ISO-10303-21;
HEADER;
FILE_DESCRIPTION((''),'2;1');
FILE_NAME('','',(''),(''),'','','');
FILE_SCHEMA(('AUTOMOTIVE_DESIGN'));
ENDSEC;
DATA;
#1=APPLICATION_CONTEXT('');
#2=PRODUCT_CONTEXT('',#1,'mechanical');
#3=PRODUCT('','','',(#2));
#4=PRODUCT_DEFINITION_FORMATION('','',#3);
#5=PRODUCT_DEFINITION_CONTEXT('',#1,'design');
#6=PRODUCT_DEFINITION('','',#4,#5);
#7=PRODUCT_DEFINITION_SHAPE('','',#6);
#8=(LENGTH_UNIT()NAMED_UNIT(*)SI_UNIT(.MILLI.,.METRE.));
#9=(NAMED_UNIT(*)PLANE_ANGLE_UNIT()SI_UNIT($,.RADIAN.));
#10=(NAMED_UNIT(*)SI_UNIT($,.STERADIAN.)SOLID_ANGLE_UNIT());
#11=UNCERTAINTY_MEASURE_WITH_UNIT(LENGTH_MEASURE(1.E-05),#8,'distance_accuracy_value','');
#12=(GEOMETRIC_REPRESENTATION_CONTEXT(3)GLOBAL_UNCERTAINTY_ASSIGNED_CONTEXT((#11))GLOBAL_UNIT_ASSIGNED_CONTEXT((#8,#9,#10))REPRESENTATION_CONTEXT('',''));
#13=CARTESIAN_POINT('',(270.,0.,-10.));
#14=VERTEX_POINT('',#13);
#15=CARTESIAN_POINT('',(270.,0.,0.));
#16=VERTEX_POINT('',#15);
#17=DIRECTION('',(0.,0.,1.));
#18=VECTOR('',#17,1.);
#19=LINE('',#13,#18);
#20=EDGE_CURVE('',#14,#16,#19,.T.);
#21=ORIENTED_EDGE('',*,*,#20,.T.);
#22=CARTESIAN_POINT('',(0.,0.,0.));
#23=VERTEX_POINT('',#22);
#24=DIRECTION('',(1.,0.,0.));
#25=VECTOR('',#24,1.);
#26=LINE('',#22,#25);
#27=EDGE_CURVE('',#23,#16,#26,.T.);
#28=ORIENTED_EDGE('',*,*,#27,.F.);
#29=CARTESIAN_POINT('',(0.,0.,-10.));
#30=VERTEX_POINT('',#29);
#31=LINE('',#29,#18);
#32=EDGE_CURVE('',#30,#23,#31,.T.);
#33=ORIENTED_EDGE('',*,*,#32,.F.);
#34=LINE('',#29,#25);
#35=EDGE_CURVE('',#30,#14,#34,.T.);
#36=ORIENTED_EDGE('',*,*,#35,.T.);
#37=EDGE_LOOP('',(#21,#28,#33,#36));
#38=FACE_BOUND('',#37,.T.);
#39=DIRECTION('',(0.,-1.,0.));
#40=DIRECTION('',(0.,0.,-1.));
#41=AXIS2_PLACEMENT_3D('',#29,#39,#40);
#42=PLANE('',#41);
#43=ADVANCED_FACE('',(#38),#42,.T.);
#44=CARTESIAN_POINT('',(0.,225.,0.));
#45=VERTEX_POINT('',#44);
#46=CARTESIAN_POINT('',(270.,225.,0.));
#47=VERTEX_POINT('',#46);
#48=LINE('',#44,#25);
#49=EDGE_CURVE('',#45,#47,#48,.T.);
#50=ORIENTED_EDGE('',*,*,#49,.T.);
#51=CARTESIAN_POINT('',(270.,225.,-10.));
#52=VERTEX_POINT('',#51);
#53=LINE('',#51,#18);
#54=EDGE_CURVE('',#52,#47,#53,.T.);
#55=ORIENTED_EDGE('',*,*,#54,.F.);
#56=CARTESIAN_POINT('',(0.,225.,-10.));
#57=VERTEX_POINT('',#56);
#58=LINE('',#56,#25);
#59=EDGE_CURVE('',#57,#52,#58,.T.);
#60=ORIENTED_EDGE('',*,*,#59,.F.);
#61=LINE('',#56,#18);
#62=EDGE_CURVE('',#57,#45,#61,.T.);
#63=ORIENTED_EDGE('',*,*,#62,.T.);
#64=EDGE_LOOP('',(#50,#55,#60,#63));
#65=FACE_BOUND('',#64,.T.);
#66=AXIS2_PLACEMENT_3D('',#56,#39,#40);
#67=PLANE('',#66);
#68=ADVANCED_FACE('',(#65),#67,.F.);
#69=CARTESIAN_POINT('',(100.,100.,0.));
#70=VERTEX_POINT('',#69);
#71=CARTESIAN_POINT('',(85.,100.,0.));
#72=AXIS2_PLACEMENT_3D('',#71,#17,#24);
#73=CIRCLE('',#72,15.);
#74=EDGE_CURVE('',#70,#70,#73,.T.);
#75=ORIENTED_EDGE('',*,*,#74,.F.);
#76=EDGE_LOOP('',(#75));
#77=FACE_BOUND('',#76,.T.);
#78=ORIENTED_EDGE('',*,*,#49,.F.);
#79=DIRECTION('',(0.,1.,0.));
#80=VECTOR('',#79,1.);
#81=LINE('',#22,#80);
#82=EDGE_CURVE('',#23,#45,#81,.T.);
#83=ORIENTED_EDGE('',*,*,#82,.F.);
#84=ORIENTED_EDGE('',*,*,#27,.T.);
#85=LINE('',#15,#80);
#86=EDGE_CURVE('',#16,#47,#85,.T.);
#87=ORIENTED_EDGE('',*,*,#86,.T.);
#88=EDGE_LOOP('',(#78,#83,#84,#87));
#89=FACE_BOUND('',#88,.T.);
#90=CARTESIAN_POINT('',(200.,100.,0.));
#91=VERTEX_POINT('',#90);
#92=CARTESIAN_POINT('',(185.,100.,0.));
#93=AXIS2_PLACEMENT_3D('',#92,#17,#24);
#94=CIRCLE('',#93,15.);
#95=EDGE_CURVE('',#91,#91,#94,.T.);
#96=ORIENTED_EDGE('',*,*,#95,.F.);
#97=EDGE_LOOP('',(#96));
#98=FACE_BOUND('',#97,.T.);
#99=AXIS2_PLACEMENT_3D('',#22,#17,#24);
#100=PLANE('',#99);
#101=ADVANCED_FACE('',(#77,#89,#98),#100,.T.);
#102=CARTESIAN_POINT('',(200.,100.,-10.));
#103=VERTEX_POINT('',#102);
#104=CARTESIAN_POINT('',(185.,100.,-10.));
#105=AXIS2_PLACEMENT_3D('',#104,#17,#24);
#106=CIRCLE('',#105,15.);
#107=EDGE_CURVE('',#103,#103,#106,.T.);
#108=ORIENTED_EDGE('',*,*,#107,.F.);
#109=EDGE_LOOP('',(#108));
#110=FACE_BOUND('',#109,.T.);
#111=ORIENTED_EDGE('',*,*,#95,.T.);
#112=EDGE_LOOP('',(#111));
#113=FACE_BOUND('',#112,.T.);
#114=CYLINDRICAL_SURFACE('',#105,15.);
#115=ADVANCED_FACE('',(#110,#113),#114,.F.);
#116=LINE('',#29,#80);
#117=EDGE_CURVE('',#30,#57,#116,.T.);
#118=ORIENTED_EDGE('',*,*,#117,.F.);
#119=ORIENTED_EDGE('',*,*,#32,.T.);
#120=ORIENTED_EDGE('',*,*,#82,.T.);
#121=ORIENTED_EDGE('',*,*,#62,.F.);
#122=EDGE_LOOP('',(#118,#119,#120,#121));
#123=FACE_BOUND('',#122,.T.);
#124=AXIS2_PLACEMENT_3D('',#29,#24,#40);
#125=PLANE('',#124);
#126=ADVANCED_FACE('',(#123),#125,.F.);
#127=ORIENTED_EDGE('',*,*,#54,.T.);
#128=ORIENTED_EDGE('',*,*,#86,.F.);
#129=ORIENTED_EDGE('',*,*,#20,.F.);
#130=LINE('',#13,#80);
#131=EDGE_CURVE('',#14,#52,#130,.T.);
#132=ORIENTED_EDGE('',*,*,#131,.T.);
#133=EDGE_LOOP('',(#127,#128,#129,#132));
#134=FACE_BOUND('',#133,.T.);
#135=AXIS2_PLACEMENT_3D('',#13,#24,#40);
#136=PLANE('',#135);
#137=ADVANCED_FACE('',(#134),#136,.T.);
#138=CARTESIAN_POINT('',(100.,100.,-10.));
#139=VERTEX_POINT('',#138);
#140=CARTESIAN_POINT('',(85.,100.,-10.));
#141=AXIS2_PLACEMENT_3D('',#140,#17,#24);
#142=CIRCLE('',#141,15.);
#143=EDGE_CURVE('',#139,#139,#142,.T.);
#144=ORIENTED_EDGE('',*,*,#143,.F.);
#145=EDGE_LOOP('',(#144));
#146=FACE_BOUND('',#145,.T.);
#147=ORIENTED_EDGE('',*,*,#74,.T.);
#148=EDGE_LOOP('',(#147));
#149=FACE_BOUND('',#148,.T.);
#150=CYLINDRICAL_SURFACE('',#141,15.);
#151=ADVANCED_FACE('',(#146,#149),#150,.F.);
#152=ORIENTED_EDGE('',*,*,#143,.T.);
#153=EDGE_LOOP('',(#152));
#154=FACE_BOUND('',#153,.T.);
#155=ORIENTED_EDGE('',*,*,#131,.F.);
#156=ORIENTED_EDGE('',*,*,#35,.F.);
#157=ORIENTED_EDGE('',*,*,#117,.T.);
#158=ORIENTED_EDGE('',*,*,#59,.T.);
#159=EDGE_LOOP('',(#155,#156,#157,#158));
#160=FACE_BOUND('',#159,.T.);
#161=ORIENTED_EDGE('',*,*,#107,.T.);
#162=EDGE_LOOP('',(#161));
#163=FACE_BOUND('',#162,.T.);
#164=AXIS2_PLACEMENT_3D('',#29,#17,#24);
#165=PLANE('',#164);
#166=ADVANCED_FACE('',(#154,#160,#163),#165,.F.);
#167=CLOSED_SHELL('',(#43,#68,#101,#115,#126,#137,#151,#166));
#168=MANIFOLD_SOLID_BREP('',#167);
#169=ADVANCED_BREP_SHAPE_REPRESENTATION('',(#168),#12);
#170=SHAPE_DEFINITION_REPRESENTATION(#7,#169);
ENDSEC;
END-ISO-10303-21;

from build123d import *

# Parameters (mm, degrees)
BOSS_EXTRUDE1_DEPTH = 10


with BuildPart() as part:
    # Sketch1 → Boss-Extrude1 (new body)
    with BuildSketch(Plane.XY):
        with BuildLine():
            Line((0, 175), (0, 100))
            Line((0, 100), (70, 100))
            ThreePointArc((70, 100), (85, 115), (100, 100))
            Line((100, 100), (170, 100))
            ThreePointArc((170, 100), (185, 115), (200, 100))
            Line((200, 100), (270, 100))
            Line((270, 100), (270, 225))
            Line((270, 225), (0, 225))
            Line((0, 225), (0, 175))
        make_face()
        with BuildLine():
            Line((0, 100), (0, 0))
            Line((0, 0), (270, 0))
            Line((270, 0), (270, 100))
            Line((270, 100), (200, 100))
            ThreePointArc((200, 100), (185, 85), (170, 100))
            Line((170, 100), (100, 100))
            ThreePointArc((100, 100), (85, 85), (70, 100))
            Line((70, 100), (0, 100))
        make_face()
    extrude(amount=-BOSS_EXTRUDE1_DEPTH)


solid = part.part
